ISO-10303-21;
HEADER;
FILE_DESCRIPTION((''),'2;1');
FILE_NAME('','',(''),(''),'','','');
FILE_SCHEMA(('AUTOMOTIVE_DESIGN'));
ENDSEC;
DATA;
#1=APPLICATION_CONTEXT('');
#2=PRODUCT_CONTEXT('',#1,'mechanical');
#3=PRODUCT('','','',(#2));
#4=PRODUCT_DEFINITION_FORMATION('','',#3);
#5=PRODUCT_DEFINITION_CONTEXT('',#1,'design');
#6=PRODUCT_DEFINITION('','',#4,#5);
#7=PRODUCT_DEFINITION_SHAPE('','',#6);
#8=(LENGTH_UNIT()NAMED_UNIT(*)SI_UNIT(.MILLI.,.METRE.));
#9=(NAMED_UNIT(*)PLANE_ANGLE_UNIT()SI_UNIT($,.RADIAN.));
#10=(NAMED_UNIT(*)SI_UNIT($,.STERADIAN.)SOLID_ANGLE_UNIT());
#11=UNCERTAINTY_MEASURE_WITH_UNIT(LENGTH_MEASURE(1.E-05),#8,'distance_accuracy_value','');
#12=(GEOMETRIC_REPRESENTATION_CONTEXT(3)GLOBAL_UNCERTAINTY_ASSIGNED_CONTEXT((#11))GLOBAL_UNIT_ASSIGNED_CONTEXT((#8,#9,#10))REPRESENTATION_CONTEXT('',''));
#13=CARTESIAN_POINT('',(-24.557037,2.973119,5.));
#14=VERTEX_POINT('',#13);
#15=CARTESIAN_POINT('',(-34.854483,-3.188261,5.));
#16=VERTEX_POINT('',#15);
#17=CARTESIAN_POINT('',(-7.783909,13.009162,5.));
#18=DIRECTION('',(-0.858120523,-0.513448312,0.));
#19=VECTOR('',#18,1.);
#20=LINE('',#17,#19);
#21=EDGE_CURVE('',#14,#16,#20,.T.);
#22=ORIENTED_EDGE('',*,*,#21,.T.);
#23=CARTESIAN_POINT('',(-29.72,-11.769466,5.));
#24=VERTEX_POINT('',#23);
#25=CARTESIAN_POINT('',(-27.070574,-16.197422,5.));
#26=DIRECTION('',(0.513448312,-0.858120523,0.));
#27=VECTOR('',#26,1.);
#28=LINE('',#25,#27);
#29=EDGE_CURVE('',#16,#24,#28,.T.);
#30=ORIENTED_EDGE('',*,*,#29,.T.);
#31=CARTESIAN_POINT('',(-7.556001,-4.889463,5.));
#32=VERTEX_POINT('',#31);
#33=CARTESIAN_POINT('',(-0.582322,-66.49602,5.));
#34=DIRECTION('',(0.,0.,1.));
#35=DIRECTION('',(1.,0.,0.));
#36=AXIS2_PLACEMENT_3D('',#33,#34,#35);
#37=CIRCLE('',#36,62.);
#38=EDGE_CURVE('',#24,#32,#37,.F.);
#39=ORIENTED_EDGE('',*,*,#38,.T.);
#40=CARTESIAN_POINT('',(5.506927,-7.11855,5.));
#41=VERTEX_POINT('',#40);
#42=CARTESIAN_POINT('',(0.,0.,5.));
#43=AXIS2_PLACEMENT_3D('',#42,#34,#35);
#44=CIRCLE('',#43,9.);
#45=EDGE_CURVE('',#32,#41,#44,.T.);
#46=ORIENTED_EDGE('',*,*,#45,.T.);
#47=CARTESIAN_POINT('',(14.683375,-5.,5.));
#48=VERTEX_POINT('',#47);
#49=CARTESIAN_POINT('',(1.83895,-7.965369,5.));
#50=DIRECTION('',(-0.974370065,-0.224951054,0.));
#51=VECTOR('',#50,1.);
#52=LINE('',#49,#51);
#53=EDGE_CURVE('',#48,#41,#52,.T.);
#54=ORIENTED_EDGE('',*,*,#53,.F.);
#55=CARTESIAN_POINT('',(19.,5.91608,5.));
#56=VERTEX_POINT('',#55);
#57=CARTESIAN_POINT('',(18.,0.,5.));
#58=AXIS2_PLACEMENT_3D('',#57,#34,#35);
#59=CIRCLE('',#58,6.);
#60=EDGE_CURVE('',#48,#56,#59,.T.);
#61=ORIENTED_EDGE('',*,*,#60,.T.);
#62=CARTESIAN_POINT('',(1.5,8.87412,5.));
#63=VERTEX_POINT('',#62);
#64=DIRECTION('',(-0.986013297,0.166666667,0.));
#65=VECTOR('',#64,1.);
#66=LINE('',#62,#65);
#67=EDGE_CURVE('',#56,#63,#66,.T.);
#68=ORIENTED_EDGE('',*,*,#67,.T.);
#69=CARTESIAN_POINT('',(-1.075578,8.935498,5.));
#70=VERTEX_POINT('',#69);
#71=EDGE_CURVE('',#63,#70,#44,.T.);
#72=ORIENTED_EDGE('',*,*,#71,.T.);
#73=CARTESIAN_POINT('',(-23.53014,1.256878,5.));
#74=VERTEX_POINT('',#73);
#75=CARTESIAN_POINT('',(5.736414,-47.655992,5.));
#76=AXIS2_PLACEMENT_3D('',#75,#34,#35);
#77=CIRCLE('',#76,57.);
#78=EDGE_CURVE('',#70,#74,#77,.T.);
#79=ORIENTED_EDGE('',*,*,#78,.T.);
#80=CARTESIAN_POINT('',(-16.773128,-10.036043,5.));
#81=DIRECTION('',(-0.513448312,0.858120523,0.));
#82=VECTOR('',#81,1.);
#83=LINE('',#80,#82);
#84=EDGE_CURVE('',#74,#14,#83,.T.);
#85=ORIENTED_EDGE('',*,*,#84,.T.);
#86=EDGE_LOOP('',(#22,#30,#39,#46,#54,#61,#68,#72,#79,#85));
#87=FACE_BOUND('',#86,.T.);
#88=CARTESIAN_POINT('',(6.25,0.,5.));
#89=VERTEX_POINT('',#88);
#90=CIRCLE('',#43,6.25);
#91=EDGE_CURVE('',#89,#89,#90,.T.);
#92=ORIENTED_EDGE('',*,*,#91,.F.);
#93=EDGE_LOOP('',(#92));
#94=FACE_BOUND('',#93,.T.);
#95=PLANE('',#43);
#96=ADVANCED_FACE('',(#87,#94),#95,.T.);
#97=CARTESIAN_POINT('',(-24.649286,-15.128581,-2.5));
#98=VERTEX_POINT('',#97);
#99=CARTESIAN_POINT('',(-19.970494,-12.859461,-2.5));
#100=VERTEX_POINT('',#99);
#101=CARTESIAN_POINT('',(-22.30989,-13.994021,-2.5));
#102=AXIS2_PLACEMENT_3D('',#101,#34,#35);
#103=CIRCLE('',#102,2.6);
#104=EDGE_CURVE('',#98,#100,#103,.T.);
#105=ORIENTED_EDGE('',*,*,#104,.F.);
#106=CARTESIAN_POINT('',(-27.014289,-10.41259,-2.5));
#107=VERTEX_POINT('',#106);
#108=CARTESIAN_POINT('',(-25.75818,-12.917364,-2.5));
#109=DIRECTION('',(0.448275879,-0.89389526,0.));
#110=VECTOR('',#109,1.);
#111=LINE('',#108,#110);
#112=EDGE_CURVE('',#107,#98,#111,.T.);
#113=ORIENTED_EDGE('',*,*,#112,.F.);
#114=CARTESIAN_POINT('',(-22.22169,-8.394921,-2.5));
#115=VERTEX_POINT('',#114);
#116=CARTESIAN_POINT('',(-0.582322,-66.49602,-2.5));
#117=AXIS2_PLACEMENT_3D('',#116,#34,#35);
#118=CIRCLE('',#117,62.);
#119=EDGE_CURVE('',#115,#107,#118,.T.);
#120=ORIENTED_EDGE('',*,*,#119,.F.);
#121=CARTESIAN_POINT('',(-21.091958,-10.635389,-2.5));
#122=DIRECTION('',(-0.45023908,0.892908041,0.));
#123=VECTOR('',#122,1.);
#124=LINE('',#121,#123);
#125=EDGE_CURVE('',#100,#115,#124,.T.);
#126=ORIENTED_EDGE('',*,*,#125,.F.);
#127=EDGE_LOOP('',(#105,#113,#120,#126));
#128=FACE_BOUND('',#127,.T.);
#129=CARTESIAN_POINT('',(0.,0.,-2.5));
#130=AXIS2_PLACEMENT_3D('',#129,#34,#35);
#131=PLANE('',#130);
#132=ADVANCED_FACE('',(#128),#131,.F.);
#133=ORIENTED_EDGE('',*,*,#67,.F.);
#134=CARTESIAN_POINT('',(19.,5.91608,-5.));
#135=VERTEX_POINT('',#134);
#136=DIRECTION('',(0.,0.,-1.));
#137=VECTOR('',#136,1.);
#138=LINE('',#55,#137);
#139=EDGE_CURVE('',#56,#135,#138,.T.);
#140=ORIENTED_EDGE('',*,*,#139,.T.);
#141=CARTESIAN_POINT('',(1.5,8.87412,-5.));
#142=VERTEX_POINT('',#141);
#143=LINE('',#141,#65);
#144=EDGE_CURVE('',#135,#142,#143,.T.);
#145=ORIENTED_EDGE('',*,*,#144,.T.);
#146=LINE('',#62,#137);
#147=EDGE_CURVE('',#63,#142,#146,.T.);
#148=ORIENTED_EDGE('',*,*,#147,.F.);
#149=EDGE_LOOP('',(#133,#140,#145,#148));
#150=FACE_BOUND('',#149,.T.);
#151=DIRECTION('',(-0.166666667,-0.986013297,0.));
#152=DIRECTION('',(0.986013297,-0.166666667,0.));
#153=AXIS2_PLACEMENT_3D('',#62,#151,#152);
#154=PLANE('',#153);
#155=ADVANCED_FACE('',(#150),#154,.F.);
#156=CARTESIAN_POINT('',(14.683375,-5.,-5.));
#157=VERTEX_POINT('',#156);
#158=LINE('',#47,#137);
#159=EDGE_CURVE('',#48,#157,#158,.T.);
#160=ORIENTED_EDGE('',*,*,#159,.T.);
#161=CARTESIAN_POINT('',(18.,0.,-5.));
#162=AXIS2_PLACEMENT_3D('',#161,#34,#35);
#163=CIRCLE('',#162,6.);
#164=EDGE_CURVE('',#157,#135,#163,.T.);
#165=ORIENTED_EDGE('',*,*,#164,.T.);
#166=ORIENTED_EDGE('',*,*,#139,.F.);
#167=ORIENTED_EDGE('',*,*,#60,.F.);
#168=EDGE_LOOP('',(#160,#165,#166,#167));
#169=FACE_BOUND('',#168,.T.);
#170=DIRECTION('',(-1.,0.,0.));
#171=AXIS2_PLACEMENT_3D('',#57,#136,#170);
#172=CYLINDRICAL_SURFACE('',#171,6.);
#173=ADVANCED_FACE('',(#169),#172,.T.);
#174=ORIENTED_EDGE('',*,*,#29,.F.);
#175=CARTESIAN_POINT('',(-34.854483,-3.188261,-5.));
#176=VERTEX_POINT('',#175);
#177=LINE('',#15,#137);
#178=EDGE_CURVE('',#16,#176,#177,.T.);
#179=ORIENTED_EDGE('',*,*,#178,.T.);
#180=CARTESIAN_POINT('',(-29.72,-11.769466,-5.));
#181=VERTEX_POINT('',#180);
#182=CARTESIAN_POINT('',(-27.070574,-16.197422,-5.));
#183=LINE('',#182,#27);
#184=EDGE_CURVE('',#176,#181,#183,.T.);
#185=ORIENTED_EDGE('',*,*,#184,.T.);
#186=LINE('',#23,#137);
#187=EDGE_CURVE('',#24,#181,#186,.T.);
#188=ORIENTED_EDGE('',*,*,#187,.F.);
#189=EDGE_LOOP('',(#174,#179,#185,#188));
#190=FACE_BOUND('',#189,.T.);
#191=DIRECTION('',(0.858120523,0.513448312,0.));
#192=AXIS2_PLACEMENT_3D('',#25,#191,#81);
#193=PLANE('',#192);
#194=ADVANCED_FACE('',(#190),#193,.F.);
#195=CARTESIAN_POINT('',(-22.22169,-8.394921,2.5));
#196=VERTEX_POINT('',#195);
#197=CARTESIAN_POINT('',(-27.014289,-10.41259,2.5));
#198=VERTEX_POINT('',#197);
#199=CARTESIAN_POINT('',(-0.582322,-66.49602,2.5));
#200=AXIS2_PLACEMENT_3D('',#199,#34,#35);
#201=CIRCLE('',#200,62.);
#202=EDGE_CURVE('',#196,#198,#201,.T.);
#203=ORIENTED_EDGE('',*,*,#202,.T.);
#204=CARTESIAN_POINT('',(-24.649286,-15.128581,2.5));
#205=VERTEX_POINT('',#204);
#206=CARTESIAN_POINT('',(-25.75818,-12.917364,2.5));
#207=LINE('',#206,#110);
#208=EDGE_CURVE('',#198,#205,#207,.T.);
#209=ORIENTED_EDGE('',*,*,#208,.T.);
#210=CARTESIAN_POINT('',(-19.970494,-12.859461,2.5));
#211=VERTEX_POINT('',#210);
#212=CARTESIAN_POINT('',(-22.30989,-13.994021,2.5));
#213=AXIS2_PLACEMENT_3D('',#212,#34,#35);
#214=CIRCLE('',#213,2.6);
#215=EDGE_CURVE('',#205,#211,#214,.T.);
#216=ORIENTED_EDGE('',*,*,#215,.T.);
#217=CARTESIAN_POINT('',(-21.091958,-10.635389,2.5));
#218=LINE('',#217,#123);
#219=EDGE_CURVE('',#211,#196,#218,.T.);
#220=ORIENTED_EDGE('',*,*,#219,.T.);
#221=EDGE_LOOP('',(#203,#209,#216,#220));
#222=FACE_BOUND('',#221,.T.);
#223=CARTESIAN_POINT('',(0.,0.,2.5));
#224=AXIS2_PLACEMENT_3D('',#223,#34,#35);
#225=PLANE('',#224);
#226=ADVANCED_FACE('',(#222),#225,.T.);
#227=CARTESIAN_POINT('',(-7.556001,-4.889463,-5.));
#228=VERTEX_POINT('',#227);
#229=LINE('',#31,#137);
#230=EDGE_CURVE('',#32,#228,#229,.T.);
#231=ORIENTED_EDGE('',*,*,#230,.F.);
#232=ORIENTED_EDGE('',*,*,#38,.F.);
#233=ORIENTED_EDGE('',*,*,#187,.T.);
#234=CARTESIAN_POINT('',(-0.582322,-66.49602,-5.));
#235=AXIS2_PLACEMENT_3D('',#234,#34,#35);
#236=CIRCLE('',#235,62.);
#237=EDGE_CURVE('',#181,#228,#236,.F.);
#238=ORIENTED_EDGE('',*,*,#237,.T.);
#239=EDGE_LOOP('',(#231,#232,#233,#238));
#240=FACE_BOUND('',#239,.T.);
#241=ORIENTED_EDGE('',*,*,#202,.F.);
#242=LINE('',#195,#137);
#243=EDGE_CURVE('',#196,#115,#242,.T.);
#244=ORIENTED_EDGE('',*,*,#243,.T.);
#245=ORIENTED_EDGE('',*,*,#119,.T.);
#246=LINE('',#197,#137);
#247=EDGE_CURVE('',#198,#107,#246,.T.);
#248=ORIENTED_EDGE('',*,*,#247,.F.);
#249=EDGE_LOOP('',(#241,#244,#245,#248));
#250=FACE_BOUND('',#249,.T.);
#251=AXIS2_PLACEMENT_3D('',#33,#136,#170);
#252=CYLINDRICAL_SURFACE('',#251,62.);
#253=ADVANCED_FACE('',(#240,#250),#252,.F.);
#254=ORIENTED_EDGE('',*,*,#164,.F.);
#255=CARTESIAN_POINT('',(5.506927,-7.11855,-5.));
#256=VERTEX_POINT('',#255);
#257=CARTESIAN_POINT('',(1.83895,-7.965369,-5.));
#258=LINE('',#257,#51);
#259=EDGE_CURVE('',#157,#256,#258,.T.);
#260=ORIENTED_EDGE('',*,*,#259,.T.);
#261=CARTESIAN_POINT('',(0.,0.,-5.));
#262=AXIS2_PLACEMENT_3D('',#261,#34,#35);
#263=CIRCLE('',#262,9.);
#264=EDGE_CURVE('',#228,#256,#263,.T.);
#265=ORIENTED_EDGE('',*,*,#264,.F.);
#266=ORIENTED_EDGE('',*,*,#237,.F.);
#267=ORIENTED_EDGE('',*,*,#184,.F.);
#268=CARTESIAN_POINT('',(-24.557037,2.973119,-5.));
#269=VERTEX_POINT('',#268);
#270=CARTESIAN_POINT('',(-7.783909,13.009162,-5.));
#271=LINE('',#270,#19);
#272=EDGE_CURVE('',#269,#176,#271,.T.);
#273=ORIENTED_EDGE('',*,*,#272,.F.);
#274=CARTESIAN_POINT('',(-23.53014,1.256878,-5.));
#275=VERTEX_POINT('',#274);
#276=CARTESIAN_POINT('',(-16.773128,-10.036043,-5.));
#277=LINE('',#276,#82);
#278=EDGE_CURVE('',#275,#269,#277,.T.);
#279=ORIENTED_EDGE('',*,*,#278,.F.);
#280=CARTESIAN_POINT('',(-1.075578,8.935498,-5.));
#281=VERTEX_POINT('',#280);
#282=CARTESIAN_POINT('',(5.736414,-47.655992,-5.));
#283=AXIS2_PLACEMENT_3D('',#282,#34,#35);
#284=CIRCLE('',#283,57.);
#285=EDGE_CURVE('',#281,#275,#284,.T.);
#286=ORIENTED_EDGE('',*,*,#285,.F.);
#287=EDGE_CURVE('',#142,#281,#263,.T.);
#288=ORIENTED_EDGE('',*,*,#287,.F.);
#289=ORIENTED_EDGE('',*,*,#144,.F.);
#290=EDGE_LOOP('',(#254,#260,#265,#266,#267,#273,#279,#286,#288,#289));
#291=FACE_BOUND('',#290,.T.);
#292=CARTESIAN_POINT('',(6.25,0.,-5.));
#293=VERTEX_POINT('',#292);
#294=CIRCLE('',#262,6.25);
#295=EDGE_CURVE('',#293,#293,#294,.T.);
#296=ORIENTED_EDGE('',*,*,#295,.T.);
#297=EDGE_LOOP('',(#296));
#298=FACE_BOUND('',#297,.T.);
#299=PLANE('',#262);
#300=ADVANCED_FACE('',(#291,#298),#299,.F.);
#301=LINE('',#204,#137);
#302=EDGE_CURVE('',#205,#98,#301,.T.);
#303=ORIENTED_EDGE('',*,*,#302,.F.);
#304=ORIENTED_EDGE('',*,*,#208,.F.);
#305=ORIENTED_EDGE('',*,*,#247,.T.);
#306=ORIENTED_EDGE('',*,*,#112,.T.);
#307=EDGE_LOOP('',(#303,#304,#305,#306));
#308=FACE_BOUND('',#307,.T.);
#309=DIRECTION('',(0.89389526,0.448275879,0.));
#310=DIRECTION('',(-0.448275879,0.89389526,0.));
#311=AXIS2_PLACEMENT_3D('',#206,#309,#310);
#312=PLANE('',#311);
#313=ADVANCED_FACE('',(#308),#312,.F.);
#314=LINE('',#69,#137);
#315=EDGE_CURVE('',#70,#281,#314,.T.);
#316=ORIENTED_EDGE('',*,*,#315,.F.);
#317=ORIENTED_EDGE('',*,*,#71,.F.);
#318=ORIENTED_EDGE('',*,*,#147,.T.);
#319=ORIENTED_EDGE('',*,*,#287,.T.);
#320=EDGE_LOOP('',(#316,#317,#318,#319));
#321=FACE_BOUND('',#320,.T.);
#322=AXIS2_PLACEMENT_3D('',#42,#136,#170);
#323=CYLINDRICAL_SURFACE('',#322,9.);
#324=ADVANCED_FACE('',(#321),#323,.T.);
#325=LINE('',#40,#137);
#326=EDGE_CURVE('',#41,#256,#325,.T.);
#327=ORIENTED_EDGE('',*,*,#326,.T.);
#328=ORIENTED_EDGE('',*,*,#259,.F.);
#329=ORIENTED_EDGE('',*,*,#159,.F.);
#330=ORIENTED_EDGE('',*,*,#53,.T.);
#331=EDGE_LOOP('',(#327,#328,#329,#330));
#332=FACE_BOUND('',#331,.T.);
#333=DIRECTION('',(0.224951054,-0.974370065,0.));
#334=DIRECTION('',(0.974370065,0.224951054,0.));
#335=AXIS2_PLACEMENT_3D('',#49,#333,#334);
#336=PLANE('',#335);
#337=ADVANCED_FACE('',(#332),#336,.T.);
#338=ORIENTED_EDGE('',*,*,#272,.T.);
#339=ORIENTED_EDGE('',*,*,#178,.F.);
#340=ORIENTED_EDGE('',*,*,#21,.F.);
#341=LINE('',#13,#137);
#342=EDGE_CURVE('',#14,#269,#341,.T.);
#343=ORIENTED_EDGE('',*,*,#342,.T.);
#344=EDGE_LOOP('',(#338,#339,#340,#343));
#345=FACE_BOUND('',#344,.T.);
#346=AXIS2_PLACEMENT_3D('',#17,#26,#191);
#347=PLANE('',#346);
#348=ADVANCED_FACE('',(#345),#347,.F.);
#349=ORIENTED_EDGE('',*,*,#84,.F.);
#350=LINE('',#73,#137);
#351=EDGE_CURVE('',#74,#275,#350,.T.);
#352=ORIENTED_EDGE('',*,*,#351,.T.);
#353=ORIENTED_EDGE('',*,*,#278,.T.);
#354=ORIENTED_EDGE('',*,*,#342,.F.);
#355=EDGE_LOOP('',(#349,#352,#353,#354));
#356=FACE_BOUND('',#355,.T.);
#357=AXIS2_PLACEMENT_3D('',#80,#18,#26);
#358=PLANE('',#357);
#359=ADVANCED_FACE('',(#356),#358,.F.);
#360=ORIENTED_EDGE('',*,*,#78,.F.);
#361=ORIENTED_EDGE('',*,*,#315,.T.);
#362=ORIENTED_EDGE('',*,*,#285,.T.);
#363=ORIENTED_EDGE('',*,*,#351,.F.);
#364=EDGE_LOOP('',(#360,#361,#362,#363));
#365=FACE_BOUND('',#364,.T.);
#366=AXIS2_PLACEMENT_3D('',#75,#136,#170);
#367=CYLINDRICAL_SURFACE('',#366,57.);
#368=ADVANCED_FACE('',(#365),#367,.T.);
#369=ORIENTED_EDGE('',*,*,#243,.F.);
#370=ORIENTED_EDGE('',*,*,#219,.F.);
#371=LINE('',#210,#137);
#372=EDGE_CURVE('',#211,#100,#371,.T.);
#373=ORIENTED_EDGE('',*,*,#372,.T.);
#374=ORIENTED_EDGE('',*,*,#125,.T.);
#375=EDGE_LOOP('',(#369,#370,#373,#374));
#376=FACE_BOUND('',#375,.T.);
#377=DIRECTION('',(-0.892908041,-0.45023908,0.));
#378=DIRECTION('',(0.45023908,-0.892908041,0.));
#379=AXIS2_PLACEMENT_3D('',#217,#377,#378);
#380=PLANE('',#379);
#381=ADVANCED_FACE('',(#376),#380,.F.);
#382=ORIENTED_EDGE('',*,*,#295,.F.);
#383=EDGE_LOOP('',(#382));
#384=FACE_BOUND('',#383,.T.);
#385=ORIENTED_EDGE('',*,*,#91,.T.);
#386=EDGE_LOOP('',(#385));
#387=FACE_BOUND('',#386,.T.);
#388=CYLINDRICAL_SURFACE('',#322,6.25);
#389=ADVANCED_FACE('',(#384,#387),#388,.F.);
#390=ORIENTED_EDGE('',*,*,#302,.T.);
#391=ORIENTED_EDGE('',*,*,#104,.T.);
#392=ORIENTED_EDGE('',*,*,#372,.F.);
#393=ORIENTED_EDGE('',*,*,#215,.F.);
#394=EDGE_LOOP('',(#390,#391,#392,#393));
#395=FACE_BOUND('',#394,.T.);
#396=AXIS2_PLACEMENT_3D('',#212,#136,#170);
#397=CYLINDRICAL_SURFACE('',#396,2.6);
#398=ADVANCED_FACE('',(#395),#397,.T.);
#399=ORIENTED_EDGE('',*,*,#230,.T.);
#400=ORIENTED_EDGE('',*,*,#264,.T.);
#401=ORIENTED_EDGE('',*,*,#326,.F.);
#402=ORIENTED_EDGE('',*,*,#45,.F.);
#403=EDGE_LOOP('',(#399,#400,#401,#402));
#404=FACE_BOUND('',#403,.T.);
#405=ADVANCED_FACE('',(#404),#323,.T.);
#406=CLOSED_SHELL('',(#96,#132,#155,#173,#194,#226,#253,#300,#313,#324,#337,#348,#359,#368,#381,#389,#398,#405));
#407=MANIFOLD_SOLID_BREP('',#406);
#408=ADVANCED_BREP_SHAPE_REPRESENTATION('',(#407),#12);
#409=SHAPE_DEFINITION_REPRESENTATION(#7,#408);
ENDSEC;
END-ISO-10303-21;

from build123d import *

# Parameters (mm, degrees)
SKETCH1_R           = 6.25
BOSS_EXTRUDE1_DEPTH = 5
BOSS_EXTRUDE2_DEPTH = 2.5


with BuildPart() as part:
    # Sketch1 → Boss-Extrude1 (new body, symmetric)
    with BuildSketch(Plane.XY):
        with BuildLine():
            ThreePointArc((14.68337521, -5), (23.5795956, -2.206380053), (19, 5.916079783))
            Line((19, 5.916079783), (1.5, 8.874119675))
            ThreePointArc((1.5, 8.874119675), (0.214418855, 8.997445446), (-1.075577539, 8.935498473))
            ThreePointArc((-1.075577539, 8.935498473), (-12.706895621, 6.277711403), (-23.530140222, 1.256877932))
            Line((-23.530140222, 1.256877932), (-24.557036845, 2.973118977))
            Line((-24.557036845, 2.973118977), (-34.854483116, -3.188260762))
            Line((-34.854483116, -3.188260762), (-29.72, -11.769465988))
            ThreePointArc((-29.72, -11.769465988), (-18.962777108, -7.283193101), (-7.556000741, -4.889463447))
            ThreePointArc((-7.556000741, -4.889463447), (-1.513896416, -8.871759557), (5.50692712, -7.118549971))
            Line((5.50692712, -7.118549971), (14.68337521, -5))
        make_face()
        Circle(SKETCH1_R, mode=Mode.SUBTRACT)
    extrude(amount=BOSS_EXTRUDE1_DEPTH, both=True)

    # Sketch2 → Boss-Extrude2 (add, symmetric)
    with BuildSketch(Plane.XY):
        with BuildLine():
            ThreePointArc((-22.221689741, -8.394920516), (-24.639151754, -9.353488219), (-27.014289175, -10.412590129))
            Line((-27.014289175, -10.412590129), (-24.649285993, -15.128581404))
            ThreePointArc((-24.649285993, -15.128581404), (-21.175329825, -16.33341689), (-19.970494339, -12.859460723))
            Line((-19.970494339, -12.859460723), (-22.221689741, -8.394920516))
        make_face()
    extrude(amount=BOSS_EXTRUDE2_DEPTH, both=True)


solid = part.part
